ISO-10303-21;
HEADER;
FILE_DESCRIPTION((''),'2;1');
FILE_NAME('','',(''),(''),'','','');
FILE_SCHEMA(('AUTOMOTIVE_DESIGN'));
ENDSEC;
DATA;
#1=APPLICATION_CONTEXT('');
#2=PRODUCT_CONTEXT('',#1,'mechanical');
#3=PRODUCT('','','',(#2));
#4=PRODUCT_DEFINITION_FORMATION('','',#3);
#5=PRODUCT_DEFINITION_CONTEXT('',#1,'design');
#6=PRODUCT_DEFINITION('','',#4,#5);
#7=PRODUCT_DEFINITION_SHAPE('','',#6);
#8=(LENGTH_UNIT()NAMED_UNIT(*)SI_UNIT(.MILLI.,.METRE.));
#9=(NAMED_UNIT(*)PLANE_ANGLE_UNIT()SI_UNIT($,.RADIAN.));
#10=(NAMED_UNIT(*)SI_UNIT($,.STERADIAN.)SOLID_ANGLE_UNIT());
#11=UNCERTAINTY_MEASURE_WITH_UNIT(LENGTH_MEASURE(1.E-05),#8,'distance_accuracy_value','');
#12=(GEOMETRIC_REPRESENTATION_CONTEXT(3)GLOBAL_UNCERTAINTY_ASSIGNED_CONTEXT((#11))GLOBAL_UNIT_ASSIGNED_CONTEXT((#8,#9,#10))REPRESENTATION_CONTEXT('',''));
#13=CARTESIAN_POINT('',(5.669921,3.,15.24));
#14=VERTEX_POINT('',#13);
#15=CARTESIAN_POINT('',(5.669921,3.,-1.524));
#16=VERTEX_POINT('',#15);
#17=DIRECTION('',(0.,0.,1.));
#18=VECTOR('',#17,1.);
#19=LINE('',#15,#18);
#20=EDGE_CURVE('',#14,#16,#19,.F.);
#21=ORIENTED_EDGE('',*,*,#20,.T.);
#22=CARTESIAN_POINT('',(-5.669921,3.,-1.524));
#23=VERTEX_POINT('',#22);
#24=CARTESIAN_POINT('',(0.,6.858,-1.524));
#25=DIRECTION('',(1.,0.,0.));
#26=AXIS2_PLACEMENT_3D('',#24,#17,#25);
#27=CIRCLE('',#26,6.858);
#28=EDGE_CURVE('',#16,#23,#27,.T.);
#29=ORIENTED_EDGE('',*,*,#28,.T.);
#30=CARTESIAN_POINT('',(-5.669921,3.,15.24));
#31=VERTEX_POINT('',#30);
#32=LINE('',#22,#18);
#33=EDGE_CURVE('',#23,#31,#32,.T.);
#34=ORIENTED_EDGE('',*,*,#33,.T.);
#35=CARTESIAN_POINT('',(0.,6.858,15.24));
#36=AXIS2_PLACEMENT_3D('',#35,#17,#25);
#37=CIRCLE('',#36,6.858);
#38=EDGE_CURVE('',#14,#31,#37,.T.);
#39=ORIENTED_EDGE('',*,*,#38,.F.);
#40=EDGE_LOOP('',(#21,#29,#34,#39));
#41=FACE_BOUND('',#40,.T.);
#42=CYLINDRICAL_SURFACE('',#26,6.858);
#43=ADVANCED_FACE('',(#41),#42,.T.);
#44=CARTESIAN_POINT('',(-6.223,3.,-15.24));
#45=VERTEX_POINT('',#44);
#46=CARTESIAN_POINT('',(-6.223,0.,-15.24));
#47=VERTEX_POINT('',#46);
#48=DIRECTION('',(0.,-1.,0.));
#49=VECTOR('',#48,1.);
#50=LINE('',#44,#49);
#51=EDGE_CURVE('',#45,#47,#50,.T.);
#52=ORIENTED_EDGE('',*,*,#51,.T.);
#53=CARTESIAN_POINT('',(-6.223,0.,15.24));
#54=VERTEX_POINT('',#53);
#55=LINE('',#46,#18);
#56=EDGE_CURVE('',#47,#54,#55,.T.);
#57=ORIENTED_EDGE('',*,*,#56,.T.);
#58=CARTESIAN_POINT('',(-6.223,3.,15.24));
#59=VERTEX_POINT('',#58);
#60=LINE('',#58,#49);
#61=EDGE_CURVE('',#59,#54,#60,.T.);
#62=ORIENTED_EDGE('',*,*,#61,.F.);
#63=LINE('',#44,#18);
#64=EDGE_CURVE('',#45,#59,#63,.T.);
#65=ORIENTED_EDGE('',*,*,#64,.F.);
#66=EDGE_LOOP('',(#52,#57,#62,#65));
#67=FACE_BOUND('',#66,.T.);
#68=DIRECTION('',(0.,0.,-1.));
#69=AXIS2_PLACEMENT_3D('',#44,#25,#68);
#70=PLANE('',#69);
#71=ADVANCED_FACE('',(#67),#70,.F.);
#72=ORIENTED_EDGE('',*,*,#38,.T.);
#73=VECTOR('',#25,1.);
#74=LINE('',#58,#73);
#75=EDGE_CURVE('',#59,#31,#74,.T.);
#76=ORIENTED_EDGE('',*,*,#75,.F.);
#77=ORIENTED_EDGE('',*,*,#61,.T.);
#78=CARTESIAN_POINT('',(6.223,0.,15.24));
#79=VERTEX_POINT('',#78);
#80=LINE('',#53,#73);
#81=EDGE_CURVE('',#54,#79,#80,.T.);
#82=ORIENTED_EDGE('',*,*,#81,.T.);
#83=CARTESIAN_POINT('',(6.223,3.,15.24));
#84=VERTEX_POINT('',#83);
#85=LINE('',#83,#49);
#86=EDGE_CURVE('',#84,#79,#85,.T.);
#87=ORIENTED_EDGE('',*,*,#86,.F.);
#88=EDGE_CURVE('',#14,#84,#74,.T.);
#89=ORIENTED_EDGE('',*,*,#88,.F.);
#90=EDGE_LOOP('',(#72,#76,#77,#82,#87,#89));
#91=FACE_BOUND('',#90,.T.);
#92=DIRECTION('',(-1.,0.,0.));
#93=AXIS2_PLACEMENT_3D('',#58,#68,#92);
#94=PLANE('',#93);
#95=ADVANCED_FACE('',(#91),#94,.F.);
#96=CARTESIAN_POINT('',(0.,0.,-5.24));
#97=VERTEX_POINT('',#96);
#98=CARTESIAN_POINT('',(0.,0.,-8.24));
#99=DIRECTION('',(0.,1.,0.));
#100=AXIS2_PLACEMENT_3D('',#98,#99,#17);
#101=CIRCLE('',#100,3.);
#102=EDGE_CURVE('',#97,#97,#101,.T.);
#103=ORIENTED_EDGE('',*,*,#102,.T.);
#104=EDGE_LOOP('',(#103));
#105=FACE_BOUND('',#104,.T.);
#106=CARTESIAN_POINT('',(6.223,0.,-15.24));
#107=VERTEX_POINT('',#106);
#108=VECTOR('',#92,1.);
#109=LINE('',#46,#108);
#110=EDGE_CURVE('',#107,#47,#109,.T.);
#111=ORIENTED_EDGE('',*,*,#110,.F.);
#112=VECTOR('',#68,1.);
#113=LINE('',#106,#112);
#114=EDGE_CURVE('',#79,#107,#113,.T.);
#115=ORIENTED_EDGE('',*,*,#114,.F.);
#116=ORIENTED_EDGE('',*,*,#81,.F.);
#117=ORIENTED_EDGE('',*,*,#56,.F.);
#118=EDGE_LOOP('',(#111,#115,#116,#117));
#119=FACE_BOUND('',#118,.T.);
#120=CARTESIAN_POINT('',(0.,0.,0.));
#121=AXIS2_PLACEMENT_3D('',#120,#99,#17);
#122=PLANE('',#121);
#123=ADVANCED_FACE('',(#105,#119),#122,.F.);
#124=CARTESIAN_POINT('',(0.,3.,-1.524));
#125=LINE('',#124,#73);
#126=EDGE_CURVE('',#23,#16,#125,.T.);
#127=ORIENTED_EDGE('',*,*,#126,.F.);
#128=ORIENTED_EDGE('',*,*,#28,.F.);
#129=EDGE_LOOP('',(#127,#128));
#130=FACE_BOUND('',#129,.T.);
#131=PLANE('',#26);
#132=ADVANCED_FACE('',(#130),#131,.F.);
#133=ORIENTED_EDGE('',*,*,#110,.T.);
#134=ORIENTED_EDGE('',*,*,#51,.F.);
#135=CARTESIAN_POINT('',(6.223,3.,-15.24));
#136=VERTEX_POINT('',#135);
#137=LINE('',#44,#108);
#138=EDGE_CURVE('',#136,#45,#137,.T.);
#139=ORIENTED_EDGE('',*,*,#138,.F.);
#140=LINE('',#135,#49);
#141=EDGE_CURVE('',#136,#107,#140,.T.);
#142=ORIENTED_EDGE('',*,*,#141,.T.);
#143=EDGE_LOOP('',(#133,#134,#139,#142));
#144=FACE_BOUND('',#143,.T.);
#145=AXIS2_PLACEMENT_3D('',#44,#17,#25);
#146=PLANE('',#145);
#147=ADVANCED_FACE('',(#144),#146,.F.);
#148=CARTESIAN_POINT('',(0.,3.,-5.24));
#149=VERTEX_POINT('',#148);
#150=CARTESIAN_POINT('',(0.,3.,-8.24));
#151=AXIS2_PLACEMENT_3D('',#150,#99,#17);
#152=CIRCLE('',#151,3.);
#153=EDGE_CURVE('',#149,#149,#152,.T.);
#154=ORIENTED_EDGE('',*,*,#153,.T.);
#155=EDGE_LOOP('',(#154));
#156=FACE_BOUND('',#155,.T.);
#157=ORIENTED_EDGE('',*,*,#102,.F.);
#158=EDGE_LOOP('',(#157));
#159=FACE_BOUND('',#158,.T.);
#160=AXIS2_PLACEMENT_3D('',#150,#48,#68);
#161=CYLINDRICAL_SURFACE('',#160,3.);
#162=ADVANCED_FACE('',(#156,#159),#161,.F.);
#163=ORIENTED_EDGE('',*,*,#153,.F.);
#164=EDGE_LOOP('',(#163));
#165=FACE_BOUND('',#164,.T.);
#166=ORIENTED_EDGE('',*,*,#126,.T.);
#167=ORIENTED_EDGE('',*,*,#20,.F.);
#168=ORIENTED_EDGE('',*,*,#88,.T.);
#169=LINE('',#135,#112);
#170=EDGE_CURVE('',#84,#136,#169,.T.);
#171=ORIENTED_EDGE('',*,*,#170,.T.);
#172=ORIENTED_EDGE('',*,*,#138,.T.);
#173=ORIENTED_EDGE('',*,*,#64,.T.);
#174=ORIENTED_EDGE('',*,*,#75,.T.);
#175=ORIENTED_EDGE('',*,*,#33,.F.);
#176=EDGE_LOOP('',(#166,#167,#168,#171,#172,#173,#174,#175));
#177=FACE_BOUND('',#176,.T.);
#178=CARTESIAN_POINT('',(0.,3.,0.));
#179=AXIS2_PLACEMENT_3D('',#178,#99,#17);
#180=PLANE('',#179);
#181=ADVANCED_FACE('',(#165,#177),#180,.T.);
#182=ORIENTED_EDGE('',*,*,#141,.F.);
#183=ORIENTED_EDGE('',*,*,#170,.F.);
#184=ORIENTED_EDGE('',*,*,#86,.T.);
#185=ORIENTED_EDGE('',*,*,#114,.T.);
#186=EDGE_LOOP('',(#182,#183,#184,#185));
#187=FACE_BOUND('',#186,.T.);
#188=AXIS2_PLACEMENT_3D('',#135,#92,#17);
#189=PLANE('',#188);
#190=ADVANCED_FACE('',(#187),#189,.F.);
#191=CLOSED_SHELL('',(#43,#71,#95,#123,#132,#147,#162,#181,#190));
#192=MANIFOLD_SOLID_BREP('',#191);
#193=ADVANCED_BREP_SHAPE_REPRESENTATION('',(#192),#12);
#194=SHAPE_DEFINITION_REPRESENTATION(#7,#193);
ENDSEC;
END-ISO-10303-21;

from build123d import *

# Parameters (mm, degrees)
SKETCH1_W           = 12.446
SKETCH1_H           = 30.48
SKETCH1_R           = 3
BOSS_EXTRUDE1_DEPTH = 3
SKETCH2_R           = 6.858
BOSS_EXTRUDE2_DEPTH = 16.764


with BuildPart() as part:
    # Sketch1 → Boss-Extrude1 (new body)
    with BuildSketch(Plane(origin=(0, 0, 0), x_dir=(1, 0, 0), z_dir=(0, 1, 0))):
        Rectangle(SKETCH1_W, SKETCH1_H)
        with Locations((0, 8.24)):
            Circle(SKETCH1_R, mode=Mode.SUBTRACT)
    extrude(amount=BOSS_EXTRUDE1_DEPTH)

    # Sketch2 → Boss-Extrude2 (add)
    with BuildSketch(Plane.XY.offset(15.24)):
        with Locations((0, 6.858)):
            Circle(SKETCH2_R)
    extrude(amount=-BOSS_EXTRUDE2_DEPTH)


solid = part.part
